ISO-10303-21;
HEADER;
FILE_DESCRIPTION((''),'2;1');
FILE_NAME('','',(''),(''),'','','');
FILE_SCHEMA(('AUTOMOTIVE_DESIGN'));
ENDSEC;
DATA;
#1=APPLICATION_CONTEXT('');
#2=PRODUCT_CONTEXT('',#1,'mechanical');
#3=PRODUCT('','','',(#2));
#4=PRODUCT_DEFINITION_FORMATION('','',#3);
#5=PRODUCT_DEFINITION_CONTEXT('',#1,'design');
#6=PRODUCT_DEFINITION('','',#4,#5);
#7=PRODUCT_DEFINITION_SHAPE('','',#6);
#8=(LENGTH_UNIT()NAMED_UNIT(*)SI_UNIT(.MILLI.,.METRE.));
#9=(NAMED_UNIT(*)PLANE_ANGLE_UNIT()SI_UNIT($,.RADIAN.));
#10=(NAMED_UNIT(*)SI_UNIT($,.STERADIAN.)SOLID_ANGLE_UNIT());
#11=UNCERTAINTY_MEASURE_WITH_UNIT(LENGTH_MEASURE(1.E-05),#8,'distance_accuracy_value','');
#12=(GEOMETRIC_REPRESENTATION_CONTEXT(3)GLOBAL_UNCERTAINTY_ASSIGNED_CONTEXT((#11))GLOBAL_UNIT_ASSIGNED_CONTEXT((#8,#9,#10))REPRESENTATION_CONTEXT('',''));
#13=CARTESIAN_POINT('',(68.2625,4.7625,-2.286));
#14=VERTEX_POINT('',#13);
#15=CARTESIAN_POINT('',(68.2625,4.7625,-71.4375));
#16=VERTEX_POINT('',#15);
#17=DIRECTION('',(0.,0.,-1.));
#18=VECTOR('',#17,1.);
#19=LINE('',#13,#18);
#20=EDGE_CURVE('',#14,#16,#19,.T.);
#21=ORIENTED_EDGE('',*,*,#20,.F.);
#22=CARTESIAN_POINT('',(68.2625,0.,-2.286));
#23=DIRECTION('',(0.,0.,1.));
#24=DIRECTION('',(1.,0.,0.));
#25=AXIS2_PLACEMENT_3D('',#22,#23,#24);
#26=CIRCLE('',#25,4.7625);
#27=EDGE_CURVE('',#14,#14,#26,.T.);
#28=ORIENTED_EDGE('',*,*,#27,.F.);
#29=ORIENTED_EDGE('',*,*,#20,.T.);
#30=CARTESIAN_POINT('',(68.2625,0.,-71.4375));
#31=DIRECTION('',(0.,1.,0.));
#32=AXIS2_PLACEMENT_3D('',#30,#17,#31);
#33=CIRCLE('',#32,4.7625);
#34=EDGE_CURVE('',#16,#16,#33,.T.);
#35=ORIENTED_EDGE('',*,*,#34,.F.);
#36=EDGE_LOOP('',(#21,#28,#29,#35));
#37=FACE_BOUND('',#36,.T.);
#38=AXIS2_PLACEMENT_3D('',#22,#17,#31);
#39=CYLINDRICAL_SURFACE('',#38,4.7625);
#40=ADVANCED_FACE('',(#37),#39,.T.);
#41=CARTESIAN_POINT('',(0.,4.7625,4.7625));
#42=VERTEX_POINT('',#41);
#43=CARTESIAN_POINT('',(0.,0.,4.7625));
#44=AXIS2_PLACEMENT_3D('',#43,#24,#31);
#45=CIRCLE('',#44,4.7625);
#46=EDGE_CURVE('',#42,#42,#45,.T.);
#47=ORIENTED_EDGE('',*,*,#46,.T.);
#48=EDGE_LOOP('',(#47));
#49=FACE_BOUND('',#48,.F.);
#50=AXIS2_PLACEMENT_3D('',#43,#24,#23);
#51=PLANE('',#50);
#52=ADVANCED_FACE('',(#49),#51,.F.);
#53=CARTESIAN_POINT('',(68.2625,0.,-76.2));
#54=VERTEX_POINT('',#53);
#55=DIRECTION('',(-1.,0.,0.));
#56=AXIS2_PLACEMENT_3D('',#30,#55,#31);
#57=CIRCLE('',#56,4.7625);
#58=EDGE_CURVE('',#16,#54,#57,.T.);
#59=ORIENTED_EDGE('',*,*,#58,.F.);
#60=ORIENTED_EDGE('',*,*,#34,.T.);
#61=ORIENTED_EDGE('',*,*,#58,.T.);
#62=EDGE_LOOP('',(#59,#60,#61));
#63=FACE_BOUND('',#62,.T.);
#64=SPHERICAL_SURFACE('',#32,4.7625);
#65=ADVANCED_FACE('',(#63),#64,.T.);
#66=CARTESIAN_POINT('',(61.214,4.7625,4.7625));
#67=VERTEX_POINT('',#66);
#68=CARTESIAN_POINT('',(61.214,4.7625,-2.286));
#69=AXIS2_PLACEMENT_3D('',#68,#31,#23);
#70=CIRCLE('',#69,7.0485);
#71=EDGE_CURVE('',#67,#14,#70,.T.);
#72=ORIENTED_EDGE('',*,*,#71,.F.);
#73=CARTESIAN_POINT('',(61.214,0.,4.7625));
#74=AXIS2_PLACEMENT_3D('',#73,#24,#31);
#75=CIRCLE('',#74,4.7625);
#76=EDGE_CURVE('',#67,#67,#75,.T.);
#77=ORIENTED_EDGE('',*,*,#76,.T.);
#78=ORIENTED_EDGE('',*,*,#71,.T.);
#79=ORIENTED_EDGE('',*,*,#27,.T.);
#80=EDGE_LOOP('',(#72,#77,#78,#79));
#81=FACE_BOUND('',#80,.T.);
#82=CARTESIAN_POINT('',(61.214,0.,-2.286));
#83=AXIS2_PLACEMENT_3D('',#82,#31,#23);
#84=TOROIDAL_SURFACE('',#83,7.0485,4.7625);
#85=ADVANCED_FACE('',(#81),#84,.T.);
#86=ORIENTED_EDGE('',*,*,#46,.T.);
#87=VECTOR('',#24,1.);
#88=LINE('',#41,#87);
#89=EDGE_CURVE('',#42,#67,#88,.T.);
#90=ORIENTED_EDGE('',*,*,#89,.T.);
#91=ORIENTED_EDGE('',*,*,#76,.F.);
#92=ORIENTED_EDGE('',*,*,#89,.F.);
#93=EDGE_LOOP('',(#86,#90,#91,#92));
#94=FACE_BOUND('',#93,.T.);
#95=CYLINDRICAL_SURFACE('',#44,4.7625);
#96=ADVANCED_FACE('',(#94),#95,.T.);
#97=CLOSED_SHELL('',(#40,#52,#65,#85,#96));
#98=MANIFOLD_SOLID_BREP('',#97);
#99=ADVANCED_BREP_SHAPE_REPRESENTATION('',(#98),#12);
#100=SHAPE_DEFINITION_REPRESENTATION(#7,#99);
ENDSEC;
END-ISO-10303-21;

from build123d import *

# Parameters (mm, degrees)
F1_R = 4.7625
F3_R = 4.7625


with BuildPart() as f2:
    # F2: sweep along a path in F0
    with BuildLine(Plane.XZ) as f2_path:
        Line((0, 4.7625), (61.214, 4.7625))
        ThreePointArc((61.214, 4.7625), (66.1980421472, 2.6980421472), (68.2625, -2.286))
        Line((68.2625, -2.286), (68.2625, -76.2))
    # F1 (on Right) → F2 (sweep)
    with BuildSketch(Plane.YZ):
        with Locations((0, 4.7625)):
            Circle(F1_R)
    sweep(path=f2_path.line)

    # F3
    f3_edges = [f2.edges().sort_by_distance(p)[0] for p in [
        (68.2625, -4.7625, -76.2),
    ]]
    fillet(f3_edges, radius=F3_R)


solid = f2.part
